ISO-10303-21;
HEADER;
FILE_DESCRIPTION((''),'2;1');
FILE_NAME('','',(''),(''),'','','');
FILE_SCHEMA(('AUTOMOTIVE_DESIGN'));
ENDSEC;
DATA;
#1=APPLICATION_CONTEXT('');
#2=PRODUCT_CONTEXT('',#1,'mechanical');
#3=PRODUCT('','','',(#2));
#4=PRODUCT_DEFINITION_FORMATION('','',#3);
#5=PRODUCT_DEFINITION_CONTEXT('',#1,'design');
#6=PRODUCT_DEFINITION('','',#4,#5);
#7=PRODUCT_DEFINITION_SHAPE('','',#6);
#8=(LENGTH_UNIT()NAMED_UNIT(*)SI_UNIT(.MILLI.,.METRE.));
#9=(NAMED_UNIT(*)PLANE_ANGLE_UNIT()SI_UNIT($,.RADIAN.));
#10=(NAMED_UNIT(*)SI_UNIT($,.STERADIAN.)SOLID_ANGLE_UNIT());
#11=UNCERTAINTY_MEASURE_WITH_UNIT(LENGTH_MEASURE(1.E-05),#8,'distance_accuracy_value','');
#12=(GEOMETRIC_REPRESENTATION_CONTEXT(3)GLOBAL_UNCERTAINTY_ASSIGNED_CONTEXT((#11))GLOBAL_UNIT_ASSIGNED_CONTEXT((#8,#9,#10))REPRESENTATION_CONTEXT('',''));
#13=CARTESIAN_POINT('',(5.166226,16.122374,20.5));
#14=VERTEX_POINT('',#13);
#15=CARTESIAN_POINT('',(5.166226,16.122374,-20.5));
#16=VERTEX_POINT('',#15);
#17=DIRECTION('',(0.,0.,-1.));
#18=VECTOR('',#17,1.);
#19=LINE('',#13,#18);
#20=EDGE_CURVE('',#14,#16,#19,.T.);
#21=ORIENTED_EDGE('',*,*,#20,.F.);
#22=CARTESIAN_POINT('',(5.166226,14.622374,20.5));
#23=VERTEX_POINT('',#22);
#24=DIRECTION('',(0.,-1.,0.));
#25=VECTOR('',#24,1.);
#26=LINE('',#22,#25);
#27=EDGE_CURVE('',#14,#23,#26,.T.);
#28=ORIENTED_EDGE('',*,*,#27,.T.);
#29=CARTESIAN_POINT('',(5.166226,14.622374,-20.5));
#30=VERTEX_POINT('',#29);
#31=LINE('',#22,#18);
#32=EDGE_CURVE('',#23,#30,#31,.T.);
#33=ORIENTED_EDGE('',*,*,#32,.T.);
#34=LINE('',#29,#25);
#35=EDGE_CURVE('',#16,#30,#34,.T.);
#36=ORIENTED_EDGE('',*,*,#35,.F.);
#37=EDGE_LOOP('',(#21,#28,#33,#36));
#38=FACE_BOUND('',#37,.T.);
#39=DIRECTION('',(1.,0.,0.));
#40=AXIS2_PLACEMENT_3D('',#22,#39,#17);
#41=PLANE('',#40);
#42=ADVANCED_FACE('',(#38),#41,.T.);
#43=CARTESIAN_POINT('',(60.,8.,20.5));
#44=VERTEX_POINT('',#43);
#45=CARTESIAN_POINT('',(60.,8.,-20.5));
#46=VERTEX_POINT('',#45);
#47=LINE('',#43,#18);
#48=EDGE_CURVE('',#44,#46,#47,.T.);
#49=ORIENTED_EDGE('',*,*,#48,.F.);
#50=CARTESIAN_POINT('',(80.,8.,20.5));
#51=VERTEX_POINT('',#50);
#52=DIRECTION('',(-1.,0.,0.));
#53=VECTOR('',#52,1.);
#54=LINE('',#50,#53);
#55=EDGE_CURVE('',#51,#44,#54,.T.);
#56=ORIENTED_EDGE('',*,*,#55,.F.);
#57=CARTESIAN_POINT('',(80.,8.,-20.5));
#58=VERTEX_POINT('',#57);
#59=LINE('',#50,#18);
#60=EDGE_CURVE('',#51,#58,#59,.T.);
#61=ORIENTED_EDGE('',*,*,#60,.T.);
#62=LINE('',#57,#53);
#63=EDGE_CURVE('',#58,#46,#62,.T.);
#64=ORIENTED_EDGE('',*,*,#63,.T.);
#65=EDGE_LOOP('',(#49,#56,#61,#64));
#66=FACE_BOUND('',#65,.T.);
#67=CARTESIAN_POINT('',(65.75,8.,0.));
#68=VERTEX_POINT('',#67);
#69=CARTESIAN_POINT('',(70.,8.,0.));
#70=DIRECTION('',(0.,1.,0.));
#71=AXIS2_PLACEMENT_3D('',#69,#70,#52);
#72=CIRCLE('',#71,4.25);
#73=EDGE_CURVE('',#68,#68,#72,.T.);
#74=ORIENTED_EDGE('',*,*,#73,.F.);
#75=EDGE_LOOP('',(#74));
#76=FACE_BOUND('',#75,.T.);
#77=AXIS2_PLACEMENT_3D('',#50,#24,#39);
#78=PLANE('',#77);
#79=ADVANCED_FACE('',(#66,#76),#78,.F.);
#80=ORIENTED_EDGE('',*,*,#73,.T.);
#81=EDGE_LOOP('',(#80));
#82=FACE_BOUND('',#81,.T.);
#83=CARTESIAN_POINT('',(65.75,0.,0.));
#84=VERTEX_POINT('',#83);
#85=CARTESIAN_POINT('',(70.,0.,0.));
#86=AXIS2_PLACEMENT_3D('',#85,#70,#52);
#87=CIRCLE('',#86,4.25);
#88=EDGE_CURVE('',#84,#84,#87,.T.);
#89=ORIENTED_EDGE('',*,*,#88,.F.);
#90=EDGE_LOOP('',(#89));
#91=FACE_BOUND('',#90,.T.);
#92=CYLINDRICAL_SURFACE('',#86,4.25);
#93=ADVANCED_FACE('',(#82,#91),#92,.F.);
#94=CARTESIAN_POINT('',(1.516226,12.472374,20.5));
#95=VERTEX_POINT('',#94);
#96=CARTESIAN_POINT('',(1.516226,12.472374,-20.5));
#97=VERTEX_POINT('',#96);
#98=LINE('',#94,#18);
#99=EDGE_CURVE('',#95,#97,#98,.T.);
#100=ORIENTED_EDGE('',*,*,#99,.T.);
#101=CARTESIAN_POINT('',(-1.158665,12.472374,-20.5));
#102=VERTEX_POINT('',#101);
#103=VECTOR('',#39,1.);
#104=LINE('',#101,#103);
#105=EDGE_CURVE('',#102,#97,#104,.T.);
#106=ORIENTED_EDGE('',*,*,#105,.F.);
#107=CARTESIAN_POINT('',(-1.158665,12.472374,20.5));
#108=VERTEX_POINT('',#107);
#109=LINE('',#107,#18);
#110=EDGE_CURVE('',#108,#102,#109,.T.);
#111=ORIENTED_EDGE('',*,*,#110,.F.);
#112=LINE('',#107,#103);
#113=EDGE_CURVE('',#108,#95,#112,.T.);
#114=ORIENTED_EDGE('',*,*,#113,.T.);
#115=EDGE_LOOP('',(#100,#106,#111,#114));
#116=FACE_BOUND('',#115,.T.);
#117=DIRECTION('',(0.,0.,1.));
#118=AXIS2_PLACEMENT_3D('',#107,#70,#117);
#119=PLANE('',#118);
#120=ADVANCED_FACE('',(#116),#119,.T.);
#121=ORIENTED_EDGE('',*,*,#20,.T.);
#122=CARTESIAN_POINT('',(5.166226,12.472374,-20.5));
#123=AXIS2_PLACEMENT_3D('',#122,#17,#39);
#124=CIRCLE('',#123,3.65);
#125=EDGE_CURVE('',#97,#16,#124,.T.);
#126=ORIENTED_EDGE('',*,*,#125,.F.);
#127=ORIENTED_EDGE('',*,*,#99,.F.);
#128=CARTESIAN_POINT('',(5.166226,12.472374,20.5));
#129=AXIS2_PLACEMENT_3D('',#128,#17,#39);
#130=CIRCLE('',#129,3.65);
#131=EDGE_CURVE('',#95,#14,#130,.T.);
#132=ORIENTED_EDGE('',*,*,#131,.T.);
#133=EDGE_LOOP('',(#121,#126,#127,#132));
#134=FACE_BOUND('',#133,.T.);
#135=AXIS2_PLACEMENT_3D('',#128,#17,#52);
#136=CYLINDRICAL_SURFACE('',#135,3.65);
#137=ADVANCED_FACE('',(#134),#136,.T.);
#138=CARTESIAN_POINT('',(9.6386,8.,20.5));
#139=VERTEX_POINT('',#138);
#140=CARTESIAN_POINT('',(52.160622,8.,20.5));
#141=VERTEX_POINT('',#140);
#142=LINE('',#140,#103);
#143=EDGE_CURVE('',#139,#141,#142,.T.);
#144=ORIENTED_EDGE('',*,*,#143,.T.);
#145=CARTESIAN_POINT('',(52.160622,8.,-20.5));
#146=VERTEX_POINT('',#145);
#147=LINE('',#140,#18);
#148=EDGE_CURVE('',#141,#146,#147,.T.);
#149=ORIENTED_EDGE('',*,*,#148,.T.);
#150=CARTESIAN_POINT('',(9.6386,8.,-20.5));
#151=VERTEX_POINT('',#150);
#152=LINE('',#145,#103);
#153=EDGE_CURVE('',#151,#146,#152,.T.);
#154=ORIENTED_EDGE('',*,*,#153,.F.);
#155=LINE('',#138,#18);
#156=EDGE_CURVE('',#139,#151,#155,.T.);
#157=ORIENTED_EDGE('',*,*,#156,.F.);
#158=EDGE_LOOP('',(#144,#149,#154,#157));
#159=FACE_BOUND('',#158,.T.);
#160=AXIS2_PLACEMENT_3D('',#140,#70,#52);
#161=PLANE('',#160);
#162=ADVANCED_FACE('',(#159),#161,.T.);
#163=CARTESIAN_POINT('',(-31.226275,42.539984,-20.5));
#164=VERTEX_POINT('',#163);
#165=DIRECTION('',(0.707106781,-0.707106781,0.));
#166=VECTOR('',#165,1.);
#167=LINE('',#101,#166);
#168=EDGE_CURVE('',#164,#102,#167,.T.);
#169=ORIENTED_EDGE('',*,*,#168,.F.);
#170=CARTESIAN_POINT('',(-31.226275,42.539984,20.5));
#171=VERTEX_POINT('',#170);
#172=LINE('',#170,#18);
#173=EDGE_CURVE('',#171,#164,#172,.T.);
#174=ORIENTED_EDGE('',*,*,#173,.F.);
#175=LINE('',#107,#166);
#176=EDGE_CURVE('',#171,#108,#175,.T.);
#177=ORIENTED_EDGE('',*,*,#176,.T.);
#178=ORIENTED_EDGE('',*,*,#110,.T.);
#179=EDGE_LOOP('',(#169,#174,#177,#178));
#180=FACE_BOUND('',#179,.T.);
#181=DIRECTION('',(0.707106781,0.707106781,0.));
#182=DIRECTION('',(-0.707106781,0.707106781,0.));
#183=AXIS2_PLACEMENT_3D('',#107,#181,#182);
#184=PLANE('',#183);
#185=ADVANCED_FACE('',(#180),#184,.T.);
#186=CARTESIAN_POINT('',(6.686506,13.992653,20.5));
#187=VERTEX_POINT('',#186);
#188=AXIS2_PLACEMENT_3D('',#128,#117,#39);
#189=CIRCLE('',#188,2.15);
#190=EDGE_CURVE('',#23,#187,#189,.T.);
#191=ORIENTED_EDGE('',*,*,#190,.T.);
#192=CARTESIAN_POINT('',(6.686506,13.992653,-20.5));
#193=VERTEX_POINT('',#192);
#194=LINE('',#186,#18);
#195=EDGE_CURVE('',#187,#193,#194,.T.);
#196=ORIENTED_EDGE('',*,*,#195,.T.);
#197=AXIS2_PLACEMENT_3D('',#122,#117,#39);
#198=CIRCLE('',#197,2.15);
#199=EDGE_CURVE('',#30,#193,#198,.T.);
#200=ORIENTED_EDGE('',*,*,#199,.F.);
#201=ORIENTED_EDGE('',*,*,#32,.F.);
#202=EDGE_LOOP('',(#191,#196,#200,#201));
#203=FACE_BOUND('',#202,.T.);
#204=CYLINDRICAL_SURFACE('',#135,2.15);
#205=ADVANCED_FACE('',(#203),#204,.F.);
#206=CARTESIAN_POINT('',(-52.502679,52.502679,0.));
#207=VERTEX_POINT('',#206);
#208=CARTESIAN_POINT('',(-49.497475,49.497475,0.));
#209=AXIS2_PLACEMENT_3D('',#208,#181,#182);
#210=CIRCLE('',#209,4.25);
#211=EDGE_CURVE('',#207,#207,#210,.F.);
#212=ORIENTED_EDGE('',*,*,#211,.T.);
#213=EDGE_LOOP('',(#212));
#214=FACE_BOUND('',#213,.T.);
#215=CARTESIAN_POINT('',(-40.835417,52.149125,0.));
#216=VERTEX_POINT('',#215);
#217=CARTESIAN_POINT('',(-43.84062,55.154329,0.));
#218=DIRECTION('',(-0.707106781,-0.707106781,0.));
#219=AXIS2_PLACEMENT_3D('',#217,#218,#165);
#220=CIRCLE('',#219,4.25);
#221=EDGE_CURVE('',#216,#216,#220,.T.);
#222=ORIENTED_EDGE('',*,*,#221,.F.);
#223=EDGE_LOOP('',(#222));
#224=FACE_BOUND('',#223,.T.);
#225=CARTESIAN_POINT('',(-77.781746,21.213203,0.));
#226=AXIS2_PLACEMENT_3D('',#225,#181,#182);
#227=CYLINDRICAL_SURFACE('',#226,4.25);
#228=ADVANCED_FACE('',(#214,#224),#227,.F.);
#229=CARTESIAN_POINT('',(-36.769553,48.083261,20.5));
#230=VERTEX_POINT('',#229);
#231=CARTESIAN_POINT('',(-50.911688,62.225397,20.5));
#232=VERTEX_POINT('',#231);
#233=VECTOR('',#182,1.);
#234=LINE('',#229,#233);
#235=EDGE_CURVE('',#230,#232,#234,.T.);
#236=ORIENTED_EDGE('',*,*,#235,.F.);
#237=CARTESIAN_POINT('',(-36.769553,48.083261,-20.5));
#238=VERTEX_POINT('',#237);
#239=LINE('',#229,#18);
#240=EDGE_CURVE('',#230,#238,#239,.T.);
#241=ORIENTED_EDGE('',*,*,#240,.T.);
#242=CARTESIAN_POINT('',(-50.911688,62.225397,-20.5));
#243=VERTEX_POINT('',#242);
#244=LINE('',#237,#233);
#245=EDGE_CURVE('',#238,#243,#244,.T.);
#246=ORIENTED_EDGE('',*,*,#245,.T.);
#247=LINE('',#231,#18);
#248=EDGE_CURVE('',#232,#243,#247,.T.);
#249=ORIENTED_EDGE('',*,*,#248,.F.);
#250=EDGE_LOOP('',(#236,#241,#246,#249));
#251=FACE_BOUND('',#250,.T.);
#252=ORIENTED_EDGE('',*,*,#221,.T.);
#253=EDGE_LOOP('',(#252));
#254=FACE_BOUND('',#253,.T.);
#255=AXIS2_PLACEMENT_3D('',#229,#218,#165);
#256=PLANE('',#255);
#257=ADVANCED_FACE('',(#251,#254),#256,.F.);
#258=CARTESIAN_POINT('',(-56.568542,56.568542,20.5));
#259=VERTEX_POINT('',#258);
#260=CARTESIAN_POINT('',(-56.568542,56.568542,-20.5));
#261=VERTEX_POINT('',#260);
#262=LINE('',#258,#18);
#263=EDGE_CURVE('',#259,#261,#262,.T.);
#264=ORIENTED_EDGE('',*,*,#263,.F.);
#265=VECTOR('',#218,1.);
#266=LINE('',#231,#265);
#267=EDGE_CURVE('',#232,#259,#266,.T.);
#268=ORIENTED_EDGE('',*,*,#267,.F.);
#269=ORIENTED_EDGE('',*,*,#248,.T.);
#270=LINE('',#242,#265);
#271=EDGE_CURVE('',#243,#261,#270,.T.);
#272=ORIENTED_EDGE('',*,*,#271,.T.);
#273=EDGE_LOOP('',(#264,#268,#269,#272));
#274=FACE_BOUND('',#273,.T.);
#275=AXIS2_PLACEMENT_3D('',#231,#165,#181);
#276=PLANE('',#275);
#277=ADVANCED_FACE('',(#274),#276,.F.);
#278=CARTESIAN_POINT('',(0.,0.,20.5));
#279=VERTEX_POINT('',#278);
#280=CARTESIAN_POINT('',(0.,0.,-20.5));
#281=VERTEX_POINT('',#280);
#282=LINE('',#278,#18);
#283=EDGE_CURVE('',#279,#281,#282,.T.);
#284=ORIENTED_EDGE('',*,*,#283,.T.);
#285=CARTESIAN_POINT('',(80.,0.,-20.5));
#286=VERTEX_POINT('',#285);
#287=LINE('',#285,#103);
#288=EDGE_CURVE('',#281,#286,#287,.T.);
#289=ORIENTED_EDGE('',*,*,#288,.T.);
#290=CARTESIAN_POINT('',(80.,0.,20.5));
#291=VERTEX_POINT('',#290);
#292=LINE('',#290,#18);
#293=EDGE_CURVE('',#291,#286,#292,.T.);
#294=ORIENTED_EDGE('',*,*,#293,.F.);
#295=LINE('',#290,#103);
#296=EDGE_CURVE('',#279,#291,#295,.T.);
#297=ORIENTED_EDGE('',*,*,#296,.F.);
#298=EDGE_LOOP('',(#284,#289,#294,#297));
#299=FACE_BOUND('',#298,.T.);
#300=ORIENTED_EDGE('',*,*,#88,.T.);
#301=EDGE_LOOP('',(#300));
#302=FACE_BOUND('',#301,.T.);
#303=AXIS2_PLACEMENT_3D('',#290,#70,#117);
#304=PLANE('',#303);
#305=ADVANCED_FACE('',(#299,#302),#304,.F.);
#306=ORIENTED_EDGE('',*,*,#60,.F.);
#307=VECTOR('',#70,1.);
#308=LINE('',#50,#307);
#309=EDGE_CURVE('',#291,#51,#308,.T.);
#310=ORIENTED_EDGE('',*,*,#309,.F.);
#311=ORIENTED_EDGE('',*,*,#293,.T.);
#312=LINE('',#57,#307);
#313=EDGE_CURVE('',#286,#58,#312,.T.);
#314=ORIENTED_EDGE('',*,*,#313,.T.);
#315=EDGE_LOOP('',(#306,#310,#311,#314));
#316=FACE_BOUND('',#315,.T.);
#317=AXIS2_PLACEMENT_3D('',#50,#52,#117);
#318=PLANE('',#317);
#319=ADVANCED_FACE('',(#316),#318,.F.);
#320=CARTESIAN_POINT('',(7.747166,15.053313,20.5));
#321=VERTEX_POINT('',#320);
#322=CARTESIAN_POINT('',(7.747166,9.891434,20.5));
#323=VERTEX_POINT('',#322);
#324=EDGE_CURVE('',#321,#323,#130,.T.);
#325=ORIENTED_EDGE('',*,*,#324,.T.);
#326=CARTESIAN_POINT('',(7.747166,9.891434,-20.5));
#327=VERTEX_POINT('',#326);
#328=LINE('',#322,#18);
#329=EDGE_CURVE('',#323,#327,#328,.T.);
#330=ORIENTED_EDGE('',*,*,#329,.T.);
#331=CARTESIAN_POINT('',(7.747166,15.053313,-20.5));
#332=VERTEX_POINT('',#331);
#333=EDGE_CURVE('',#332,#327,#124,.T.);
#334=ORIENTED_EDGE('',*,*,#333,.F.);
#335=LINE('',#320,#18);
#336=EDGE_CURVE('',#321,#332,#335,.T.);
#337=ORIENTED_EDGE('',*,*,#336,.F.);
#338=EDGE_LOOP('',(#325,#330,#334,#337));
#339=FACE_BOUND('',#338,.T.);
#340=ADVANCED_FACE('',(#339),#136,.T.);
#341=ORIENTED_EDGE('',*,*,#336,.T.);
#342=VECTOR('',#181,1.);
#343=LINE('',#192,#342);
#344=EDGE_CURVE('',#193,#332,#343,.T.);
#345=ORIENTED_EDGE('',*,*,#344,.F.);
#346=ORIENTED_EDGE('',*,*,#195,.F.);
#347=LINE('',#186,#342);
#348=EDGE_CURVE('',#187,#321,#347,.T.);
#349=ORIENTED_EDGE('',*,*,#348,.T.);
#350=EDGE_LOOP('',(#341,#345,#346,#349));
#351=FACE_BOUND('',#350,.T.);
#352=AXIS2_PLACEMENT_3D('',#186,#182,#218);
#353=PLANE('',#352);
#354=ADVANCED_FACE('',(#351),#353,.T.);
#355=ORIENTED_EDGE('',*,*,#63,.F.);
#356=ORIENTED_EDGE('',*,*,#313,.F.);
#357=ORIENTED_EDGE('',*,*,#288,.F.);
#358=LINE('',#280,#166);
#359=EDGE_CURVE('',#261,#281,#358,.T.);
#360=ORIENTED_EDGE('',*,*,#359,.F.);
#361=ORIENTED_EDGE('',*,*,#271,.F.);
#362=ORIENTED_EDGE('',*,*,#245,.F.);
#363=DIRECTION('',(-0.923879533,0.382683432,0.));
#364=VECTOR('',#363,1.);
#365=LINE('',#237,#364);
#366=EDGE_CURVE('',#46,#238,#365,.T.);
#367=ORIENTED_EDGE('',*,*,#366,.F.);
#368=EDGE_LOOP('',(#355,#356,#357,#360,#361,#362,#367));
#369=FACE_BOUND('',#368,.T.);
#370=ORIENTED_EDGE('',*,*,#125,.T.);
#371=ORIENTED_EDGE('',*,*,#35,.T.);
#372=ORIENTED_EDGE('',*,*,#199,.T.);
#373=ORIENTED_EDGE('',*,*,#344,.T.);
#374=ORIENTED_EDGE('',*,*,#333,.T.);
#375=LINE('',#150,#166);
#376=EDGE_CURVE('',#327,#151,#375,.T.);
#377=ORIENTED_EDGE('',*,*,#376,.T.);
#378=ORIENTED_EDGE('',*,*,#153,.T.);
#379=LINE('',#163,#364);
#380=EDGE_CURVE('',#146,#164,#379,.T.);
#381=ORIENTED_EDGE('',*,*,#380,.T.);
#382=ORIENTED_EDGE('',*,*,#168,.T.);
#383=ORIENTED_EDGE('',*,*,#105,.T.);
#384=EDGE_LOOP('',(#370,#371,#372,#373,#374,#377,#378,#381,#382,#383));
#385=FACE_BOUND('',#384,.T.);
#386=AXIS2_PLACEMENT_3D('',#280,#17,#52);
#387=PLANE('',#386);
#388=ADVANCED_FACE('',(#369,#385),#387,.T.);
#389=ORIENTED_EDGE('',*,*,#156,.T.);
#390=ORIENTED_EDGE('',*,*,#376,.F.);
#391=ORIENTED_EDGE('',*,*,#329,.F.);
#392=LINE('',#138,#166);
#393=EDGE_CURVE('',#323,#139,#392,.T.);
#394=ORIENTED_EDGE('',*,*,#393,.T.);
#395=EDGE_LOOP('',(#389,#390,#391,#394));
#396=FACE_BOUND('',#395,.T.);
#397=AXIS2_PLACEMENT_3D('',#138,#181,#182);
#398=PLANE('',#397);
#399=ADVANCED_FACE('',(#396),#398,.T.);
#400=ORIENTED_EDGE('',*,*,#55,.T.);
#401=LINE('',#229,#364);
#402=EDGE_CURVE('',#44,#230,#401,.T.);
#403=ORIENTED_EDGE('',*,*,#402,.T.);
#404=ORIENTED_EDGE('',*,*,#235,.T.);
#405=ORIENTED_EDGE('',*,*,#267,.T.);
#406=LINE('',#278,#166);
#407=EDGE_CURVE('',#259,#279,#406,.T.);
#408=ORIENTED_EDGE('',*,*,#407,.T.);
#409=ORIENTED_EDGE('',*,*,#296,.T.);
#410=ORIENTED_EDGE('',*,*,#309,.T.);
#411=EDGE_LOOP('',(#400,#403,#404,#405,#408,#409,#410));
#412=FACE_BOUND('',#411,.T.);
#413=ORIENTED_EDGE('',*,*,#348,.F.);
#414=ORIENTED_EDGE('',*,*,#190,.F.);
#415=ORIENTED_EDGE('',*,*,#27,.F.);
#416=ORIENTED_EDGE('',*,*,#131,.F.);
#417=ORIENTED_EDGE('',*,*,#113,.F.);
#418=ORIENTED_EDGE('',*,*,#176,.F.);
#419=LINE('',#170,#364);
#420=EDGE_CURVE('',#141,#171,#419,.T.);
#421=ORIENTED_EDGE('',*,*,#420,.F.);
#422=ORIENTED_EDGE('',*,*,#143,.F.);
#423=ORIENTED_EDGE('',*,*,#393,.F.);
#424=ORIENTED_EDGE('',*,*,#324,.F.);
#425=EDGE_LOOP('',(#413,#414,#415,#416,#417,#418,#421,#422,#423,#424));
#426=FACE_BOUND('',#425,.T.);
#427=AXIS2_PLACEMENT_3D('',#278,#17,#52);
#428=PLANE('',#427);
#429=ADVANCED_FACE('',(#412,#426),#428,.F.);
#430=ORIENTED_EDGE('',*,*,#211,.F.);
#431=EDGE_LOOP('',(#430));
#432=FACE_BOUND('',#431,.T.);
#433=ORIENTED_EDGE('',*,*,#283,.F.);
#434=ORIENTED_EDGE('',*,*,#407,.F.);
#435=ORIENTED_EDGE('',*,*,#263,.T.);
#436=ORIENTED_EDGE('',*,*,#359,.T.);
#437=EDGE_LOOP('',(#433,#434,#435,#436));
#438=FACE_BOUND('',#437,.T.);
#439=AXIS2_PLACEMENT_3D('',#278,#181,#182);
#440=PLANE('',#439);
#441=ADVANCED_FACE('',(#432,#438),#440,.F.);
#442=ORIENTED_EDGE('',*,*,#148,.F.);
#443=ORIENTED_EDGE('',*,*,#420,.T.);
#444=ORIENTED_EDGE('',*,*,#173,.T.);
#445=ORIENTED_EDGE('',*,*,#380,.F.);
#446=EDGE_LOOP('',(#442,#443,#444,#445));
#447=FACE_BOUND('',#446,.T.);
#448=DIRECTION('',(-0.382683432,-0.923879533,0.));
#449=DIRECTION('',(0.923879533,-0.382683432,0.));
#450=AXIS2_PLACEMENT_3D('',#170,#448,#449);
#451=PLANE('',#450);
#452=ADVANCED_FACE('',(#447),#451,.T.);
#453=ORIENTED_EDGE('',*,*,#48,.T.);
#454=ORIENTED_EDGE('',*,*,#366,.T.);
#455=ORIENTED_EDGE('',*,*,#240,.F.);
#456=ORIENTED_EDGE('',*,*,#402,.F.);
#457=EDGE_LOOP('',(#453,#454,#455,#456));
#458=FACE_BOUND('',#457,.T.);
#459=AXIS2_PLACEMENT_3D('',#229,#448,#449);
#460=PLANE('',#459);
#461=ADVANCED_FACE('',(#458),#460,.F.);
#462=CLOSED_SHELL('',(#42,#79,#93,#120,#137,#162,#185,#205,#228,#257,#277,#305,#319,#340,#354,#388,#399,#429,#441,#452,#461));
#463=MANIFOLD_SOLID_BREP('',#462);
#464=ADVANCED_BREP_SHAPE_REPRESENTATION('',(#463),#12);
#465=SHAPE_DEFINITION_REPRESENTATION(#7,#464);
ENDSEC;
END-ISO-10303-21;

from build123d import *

# Parameters (mm, degrees)
EXTRUDE_1_DEPTH     = 20.5
SKETCH_3_R          = 4.25
CUT_EXTRUDE_1_DEPTH = 99.795969817


with BuildPart() as part:
    # 草图1 → 凸台-拉伸1 (new, symmetric)
    with BuildSketch(Plane.XY):
        Polygon((80, 0), (0, 0), (-56.568542495, 56.568542495), (-50.911688245, 62.225396744), (-36.769552622, 48.083261121), (60, 8), (80, 8), align=None)
        with BuildLine():
            Line((52.160622211, 8), (9.638600026, 8))
            Line((9.638600026, 8), (7.747166088, 9.891433938))
            ThreePointArc((7.747166088, 9.891433938), (8.816226337, 12.472373689), (7.747166088, 15.05331344))
            Line((7.747166088, 15.05331344), (6.686505916, 13.992653268))
            ThreePointArc((6.686505916, 13.992653268), (4.343456957, 10.486032694), (5.166226337, 14.622373689))
            Line((5.166226337, 14.622373689), (5.166226337, 16.122373689))
            ThreePointArc((5.166226337, 16.122373689), (2.585286586, 15.05331344), (1.516226337, 12.472373689))
            Line((1.516226337, 12.472373689), (-1.15866519, 12.472373689))
            Line((-1.15866519, 12.472373689), (-31.226275427, 42.539983926))
            Line((-31.226275427, 42.539983926), (52.160622211, 8))
        make_face(mode=Mode.SUBTRACT)
    extrude(amount=EXTRUDE_1_DEPTH, both=True)

    # 草图3 → 切除-拉伸1 (cut, through all)
    with BuildSketch(Plane(origin=(0, 8, 0), x_dir=(1, 0, 0), z_dir=(0, 1, 0))):
        with Locations(Location((70, 0, 0), (0, 0, 180))):
            Circle(SKETCH_3_R)
    cut_extrude_1 = extrude(amount=-CUT_EXTRUDE_1_DEPTH, mode=Mode.SUBTRACT)

    # 镜向1: 切除-拉伸1 across plane
    add(cut_extrude_1.mirror(Plane(origin=(0, 0, 0), x_dir=(0, 0, 1), z_dir=(-0.9238795325112867, 0.3826834323650898, 0))), mode=Mode.SUBTRACT)


solid = part.part
